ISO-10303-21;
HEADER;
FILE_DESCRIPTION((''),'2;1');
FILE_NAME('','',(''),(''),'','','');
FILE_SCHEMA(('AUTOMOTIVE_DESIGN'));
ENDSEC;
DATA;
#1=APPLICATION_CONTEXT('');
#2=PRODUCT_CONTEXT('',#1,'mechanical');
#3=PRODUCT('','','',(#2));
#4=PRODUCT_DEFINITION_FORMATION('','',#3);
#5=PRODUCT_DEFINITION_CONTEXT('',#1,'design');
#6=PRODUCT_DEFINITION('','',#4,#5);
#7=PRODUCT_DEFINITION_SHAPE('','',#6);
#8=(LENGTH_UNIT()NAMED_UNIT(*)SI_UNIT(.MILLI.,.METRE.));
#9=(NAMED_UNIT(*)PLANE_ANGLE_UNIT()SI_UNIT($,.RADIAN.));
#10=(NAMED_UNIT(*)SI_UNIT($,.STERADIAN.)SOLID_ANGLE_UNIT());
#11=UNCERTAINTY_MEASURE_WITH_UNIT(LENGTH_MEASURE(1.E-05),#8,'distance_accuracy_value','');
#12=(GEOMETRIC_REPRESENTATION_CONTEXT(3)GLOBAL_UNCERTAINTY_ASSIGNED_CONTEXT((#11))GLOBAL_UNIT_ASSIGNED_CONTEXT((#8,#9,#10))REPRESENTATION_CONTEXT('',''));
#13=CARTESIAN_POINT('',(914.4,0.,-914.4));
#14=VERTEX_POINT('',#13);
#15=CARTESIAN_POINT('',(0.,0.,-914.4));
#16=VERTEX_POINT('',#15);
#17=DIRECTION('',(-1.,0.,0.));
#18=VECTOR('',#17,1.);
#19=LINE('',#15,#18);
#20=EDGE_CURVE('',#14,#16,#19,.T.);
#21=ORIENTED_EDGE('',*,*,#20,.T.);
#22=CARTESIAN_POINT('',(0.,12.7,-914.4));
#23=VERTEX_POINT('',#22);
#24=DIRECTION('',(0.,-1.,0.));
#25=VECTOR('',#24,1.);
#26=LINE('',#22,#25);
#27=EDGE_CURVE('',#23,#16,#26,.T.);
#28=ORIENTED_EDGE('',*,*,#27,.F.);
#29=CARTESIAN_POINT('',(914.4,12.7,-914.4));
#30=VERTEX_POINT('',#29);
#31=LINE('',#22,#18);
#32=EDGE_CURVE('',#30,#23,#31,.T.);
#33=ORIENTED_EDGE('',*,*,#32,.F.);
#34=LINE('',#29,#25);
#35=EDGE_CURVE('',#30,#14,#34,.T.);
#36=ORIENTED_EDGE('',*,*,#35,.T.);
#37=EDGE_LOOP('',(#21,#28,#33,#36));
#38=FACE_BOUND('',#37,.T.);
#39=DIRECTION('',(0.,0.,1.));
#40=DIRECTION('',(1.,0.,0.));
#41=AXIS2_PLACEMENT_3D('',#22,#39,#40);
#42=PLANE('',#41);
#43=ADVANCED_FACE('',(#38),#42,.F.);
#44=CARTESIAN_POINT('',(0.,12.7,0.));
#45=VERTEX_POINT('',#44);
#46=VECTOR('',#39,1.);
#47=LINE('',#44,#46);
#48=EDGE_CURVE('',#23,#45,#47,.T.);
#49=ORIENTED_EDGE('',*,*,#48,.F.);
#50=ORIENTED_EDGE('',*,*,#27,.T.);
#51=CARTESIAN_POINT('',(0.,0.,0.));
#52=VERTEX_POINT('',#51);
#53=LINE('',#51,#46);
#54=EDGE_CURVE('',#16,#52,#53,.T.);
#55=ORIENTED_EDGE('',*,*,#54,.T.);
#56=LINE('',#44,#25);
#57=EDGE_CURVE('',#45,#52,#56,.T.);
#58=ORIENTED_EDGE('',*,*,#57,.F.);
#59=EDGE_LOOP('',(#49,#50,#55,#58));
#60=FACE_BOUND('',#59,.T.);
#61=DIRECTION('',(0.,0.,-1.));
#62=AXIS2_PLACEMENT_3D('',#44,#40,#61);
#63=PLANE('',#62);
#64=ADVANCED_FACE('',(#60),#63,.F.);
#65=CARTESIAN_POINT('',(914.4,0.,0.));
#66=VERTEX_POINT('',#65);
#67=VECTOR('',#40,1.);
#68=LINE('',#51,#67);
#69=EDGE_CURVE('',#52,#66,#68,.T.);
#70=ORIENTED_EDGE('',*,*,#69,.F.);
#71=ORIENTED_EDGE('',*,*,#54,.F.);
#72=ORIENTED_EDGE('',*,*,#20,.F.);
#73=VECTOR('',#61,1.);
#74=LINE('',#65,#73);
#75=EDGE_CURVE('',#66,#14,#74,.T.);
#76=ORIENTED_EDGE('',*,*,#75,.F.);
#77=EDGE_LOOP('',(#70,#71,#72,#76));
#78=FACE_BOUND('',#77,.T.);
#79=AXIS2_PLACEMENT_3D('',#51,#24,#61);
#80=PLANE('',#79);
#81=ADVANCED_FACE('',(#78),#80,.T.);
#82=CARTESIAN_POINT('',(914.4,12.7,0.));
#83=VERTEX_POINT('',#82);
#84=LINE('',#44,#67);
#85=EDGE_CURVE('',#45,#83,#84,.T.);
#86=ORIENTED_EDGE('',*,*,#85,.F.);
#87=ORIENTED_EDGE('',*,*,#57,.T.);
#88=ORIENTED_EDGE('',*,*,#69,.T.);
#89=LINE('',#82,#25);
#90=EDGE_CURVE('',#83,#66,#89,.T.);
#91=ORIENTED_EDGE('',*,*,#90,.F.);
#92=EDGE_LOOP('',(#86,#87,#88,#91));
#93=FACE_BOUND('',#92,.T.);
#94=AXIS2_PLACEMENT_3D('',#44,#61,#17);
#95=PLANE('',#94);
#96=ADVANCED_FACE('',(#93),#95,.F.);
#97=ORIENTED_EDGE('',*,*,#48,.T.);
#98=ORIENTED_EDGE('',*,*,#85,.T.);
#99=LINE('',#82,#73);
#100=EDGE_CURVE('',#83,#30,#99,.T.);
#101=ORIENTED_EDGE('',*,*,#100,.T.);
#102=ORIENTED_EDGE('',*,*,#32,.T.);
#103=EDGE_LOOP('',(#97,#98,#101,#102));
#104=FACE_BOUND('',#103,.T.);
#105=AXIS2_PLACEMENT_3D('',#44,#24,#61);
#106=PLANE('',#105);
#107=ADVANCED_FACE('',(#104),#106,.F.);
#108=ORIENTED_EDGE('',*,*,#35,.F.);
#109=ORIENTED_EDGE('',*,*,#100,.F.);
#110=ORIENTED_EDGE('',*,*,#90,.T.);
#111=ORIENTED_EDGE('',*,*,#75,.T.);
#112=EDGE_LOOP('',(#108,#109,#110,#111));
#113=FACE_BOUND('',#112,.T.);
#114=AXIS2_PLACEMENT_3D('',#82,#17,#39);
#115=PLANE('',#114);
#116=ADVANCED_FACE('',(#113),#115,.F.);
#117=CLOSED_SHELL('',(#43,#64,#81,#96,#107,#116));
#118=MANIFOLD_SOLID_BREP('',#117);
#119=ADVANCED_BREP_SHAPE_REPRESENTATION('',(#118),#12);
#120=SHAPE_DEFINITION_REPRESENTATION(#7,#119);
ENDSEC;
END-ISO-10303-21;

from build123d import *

# Parameters (mm, degrees)
SKETCH1_W           = 914.4
SKETCH1_H           = 914.4
BOSS_EXTRUDE1_DEPTH = 12.7


with BuildPart() as part:
    # Sketch1 → Boss-Extrude1 (new body)
    with BuildSketch(Plane(origin=(0, 0, 0), x_dir=(1, 0, 0), z_dir=(0, 1, 0))):
        with Locations((457.2, 457.2)):
            Rectangle(SKETCH1_W, SKETCH1_H)
    extrude(amount=BOSS_EXTRUDE1_DEPTH)


solid = part.part
